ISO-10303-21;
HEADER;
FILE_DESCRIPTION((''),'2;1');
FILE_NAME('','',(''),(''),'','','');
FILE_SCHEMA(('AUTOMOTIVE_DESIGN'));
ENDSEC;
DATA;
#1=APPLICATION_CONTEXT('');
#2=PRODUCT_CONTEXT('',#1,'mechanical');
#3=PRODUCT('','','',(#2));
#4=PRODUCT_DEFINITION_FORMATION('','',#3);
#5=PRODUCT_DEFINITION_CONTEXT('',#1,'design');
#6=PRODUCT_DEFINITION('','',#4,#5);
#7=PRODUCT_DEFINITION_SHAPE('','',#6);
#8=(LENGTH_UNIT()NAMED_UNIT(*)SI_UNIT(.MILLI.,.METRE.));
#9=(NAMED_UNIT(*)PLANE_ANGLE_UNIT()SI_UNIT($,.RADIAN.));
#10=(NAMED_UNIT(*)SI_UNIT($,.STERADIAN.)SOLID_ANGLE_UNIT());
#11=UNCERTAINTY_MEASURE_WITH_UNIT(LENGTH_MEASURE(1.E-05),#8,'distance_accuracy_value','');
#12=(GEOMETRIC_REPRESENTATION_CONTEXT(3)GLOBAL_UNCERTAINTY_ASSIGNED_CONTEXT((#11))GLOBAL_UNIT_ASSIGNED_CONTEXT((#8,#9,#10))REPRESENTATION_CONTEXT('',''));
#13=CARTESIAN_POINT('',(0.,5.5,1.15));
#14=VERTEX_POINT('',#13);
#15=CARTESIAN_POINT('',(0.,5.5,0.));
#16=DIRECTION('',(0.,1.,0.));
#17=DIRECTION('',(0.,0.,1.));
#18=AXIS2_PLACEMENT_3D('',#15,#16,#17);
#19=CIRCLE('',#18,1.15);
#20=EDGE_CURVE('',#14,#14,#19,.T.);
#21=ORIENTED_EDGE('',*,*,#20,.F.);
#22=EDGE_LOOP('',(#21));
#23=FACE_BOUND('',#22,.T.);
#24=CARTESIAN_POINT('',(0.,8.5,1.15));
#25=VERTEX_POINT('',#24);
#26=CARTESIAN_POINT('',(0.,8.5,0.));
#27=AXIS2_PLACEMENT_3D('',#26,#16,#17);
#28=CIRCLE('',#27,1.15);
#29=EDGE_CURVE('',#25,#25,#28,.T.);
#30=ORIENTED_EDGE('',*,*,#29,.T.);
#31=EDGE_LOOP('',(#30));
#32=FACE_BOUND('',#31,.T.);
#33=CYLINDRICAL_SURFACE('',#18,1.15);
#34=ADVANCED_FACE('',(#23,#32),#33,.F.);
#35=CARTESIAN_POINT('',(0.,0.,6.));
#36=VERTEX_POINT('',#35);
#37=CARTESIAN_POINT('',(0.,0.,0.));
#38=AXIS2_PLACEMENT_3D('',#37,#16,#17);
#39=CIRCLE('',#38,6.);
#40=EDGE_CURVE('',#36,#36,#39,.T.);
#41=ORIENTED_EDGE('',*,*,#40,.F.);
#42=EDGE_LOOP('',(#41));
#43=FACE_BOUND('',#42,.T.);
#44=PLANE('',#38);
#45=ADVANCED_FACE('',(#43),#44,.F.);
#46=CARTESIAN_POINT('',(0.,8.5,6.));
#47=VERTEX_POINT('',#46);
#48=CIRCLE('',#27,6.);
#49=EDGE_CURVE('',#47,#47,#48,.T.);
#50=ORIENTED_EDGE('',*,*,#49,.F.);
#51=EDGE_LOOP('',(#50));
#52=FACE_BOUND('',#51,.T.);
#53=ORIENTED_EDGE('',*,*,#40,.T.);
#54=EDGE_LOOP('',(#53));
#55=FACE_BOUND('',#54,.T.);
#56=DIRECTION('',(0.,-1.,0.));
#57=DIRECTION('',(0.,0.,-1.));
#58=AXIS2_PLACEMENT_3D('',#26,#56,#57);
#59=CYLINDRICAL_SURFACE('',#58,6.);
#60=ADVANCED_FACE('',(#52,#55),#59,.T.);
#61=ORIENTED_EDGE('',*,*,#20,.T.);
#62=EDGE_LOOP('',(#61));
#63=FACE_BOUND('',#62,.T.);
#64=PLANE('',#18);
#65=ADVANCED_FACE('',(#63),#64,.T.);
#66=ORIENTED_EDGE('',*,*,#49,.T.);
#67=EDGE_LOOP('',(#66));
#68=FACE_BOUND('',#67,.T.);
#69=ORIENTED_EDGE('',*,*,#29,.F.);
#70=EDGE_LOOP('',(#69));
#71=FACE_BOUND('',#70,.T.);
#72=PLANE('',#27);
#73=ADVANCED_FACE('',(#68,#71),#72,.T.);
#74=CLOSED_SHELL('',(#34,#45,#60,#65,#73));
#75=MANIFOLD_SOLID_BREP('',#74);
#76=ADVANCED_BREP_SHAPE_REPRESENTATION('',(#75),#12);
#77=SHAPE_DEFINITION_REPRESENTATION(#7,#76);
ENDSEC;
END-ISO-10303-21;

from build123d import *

# Parameters (mm, degrees)
SKETCH1_R           = 6
BOSS_EXTRUDE1_DEPTH = 8.5
SKETCH2_R           = 1.15
CUT_EXTRUDE1_DEPTH  = 3


with BuildPart() as part:
    # Sketch1 → Boss-Extrude1 (new body)
    with BuildSketch(Plane(origin=(0, 0, 0), x_dir=(1, 0, 0), z_dir=(0, 1, 0))):
        Circle(SKETCH1_R)
    extrude(amount=BOSS_EXTRUDE1_DEPTH)

    # Sketch2 → Cut-Extrude1 (cut)
    with BuildSketch(Plane(origin=(0, 8.5, 0), x_dir=(1, 0, 0), z_dir=(0, 1, 0))):
        Circle(SKETCH2_R)
    extrude(amount=-CUT_EXTRUDE1_DEPTH, mode=Mode.SUBTRACT)


solid = part.part
